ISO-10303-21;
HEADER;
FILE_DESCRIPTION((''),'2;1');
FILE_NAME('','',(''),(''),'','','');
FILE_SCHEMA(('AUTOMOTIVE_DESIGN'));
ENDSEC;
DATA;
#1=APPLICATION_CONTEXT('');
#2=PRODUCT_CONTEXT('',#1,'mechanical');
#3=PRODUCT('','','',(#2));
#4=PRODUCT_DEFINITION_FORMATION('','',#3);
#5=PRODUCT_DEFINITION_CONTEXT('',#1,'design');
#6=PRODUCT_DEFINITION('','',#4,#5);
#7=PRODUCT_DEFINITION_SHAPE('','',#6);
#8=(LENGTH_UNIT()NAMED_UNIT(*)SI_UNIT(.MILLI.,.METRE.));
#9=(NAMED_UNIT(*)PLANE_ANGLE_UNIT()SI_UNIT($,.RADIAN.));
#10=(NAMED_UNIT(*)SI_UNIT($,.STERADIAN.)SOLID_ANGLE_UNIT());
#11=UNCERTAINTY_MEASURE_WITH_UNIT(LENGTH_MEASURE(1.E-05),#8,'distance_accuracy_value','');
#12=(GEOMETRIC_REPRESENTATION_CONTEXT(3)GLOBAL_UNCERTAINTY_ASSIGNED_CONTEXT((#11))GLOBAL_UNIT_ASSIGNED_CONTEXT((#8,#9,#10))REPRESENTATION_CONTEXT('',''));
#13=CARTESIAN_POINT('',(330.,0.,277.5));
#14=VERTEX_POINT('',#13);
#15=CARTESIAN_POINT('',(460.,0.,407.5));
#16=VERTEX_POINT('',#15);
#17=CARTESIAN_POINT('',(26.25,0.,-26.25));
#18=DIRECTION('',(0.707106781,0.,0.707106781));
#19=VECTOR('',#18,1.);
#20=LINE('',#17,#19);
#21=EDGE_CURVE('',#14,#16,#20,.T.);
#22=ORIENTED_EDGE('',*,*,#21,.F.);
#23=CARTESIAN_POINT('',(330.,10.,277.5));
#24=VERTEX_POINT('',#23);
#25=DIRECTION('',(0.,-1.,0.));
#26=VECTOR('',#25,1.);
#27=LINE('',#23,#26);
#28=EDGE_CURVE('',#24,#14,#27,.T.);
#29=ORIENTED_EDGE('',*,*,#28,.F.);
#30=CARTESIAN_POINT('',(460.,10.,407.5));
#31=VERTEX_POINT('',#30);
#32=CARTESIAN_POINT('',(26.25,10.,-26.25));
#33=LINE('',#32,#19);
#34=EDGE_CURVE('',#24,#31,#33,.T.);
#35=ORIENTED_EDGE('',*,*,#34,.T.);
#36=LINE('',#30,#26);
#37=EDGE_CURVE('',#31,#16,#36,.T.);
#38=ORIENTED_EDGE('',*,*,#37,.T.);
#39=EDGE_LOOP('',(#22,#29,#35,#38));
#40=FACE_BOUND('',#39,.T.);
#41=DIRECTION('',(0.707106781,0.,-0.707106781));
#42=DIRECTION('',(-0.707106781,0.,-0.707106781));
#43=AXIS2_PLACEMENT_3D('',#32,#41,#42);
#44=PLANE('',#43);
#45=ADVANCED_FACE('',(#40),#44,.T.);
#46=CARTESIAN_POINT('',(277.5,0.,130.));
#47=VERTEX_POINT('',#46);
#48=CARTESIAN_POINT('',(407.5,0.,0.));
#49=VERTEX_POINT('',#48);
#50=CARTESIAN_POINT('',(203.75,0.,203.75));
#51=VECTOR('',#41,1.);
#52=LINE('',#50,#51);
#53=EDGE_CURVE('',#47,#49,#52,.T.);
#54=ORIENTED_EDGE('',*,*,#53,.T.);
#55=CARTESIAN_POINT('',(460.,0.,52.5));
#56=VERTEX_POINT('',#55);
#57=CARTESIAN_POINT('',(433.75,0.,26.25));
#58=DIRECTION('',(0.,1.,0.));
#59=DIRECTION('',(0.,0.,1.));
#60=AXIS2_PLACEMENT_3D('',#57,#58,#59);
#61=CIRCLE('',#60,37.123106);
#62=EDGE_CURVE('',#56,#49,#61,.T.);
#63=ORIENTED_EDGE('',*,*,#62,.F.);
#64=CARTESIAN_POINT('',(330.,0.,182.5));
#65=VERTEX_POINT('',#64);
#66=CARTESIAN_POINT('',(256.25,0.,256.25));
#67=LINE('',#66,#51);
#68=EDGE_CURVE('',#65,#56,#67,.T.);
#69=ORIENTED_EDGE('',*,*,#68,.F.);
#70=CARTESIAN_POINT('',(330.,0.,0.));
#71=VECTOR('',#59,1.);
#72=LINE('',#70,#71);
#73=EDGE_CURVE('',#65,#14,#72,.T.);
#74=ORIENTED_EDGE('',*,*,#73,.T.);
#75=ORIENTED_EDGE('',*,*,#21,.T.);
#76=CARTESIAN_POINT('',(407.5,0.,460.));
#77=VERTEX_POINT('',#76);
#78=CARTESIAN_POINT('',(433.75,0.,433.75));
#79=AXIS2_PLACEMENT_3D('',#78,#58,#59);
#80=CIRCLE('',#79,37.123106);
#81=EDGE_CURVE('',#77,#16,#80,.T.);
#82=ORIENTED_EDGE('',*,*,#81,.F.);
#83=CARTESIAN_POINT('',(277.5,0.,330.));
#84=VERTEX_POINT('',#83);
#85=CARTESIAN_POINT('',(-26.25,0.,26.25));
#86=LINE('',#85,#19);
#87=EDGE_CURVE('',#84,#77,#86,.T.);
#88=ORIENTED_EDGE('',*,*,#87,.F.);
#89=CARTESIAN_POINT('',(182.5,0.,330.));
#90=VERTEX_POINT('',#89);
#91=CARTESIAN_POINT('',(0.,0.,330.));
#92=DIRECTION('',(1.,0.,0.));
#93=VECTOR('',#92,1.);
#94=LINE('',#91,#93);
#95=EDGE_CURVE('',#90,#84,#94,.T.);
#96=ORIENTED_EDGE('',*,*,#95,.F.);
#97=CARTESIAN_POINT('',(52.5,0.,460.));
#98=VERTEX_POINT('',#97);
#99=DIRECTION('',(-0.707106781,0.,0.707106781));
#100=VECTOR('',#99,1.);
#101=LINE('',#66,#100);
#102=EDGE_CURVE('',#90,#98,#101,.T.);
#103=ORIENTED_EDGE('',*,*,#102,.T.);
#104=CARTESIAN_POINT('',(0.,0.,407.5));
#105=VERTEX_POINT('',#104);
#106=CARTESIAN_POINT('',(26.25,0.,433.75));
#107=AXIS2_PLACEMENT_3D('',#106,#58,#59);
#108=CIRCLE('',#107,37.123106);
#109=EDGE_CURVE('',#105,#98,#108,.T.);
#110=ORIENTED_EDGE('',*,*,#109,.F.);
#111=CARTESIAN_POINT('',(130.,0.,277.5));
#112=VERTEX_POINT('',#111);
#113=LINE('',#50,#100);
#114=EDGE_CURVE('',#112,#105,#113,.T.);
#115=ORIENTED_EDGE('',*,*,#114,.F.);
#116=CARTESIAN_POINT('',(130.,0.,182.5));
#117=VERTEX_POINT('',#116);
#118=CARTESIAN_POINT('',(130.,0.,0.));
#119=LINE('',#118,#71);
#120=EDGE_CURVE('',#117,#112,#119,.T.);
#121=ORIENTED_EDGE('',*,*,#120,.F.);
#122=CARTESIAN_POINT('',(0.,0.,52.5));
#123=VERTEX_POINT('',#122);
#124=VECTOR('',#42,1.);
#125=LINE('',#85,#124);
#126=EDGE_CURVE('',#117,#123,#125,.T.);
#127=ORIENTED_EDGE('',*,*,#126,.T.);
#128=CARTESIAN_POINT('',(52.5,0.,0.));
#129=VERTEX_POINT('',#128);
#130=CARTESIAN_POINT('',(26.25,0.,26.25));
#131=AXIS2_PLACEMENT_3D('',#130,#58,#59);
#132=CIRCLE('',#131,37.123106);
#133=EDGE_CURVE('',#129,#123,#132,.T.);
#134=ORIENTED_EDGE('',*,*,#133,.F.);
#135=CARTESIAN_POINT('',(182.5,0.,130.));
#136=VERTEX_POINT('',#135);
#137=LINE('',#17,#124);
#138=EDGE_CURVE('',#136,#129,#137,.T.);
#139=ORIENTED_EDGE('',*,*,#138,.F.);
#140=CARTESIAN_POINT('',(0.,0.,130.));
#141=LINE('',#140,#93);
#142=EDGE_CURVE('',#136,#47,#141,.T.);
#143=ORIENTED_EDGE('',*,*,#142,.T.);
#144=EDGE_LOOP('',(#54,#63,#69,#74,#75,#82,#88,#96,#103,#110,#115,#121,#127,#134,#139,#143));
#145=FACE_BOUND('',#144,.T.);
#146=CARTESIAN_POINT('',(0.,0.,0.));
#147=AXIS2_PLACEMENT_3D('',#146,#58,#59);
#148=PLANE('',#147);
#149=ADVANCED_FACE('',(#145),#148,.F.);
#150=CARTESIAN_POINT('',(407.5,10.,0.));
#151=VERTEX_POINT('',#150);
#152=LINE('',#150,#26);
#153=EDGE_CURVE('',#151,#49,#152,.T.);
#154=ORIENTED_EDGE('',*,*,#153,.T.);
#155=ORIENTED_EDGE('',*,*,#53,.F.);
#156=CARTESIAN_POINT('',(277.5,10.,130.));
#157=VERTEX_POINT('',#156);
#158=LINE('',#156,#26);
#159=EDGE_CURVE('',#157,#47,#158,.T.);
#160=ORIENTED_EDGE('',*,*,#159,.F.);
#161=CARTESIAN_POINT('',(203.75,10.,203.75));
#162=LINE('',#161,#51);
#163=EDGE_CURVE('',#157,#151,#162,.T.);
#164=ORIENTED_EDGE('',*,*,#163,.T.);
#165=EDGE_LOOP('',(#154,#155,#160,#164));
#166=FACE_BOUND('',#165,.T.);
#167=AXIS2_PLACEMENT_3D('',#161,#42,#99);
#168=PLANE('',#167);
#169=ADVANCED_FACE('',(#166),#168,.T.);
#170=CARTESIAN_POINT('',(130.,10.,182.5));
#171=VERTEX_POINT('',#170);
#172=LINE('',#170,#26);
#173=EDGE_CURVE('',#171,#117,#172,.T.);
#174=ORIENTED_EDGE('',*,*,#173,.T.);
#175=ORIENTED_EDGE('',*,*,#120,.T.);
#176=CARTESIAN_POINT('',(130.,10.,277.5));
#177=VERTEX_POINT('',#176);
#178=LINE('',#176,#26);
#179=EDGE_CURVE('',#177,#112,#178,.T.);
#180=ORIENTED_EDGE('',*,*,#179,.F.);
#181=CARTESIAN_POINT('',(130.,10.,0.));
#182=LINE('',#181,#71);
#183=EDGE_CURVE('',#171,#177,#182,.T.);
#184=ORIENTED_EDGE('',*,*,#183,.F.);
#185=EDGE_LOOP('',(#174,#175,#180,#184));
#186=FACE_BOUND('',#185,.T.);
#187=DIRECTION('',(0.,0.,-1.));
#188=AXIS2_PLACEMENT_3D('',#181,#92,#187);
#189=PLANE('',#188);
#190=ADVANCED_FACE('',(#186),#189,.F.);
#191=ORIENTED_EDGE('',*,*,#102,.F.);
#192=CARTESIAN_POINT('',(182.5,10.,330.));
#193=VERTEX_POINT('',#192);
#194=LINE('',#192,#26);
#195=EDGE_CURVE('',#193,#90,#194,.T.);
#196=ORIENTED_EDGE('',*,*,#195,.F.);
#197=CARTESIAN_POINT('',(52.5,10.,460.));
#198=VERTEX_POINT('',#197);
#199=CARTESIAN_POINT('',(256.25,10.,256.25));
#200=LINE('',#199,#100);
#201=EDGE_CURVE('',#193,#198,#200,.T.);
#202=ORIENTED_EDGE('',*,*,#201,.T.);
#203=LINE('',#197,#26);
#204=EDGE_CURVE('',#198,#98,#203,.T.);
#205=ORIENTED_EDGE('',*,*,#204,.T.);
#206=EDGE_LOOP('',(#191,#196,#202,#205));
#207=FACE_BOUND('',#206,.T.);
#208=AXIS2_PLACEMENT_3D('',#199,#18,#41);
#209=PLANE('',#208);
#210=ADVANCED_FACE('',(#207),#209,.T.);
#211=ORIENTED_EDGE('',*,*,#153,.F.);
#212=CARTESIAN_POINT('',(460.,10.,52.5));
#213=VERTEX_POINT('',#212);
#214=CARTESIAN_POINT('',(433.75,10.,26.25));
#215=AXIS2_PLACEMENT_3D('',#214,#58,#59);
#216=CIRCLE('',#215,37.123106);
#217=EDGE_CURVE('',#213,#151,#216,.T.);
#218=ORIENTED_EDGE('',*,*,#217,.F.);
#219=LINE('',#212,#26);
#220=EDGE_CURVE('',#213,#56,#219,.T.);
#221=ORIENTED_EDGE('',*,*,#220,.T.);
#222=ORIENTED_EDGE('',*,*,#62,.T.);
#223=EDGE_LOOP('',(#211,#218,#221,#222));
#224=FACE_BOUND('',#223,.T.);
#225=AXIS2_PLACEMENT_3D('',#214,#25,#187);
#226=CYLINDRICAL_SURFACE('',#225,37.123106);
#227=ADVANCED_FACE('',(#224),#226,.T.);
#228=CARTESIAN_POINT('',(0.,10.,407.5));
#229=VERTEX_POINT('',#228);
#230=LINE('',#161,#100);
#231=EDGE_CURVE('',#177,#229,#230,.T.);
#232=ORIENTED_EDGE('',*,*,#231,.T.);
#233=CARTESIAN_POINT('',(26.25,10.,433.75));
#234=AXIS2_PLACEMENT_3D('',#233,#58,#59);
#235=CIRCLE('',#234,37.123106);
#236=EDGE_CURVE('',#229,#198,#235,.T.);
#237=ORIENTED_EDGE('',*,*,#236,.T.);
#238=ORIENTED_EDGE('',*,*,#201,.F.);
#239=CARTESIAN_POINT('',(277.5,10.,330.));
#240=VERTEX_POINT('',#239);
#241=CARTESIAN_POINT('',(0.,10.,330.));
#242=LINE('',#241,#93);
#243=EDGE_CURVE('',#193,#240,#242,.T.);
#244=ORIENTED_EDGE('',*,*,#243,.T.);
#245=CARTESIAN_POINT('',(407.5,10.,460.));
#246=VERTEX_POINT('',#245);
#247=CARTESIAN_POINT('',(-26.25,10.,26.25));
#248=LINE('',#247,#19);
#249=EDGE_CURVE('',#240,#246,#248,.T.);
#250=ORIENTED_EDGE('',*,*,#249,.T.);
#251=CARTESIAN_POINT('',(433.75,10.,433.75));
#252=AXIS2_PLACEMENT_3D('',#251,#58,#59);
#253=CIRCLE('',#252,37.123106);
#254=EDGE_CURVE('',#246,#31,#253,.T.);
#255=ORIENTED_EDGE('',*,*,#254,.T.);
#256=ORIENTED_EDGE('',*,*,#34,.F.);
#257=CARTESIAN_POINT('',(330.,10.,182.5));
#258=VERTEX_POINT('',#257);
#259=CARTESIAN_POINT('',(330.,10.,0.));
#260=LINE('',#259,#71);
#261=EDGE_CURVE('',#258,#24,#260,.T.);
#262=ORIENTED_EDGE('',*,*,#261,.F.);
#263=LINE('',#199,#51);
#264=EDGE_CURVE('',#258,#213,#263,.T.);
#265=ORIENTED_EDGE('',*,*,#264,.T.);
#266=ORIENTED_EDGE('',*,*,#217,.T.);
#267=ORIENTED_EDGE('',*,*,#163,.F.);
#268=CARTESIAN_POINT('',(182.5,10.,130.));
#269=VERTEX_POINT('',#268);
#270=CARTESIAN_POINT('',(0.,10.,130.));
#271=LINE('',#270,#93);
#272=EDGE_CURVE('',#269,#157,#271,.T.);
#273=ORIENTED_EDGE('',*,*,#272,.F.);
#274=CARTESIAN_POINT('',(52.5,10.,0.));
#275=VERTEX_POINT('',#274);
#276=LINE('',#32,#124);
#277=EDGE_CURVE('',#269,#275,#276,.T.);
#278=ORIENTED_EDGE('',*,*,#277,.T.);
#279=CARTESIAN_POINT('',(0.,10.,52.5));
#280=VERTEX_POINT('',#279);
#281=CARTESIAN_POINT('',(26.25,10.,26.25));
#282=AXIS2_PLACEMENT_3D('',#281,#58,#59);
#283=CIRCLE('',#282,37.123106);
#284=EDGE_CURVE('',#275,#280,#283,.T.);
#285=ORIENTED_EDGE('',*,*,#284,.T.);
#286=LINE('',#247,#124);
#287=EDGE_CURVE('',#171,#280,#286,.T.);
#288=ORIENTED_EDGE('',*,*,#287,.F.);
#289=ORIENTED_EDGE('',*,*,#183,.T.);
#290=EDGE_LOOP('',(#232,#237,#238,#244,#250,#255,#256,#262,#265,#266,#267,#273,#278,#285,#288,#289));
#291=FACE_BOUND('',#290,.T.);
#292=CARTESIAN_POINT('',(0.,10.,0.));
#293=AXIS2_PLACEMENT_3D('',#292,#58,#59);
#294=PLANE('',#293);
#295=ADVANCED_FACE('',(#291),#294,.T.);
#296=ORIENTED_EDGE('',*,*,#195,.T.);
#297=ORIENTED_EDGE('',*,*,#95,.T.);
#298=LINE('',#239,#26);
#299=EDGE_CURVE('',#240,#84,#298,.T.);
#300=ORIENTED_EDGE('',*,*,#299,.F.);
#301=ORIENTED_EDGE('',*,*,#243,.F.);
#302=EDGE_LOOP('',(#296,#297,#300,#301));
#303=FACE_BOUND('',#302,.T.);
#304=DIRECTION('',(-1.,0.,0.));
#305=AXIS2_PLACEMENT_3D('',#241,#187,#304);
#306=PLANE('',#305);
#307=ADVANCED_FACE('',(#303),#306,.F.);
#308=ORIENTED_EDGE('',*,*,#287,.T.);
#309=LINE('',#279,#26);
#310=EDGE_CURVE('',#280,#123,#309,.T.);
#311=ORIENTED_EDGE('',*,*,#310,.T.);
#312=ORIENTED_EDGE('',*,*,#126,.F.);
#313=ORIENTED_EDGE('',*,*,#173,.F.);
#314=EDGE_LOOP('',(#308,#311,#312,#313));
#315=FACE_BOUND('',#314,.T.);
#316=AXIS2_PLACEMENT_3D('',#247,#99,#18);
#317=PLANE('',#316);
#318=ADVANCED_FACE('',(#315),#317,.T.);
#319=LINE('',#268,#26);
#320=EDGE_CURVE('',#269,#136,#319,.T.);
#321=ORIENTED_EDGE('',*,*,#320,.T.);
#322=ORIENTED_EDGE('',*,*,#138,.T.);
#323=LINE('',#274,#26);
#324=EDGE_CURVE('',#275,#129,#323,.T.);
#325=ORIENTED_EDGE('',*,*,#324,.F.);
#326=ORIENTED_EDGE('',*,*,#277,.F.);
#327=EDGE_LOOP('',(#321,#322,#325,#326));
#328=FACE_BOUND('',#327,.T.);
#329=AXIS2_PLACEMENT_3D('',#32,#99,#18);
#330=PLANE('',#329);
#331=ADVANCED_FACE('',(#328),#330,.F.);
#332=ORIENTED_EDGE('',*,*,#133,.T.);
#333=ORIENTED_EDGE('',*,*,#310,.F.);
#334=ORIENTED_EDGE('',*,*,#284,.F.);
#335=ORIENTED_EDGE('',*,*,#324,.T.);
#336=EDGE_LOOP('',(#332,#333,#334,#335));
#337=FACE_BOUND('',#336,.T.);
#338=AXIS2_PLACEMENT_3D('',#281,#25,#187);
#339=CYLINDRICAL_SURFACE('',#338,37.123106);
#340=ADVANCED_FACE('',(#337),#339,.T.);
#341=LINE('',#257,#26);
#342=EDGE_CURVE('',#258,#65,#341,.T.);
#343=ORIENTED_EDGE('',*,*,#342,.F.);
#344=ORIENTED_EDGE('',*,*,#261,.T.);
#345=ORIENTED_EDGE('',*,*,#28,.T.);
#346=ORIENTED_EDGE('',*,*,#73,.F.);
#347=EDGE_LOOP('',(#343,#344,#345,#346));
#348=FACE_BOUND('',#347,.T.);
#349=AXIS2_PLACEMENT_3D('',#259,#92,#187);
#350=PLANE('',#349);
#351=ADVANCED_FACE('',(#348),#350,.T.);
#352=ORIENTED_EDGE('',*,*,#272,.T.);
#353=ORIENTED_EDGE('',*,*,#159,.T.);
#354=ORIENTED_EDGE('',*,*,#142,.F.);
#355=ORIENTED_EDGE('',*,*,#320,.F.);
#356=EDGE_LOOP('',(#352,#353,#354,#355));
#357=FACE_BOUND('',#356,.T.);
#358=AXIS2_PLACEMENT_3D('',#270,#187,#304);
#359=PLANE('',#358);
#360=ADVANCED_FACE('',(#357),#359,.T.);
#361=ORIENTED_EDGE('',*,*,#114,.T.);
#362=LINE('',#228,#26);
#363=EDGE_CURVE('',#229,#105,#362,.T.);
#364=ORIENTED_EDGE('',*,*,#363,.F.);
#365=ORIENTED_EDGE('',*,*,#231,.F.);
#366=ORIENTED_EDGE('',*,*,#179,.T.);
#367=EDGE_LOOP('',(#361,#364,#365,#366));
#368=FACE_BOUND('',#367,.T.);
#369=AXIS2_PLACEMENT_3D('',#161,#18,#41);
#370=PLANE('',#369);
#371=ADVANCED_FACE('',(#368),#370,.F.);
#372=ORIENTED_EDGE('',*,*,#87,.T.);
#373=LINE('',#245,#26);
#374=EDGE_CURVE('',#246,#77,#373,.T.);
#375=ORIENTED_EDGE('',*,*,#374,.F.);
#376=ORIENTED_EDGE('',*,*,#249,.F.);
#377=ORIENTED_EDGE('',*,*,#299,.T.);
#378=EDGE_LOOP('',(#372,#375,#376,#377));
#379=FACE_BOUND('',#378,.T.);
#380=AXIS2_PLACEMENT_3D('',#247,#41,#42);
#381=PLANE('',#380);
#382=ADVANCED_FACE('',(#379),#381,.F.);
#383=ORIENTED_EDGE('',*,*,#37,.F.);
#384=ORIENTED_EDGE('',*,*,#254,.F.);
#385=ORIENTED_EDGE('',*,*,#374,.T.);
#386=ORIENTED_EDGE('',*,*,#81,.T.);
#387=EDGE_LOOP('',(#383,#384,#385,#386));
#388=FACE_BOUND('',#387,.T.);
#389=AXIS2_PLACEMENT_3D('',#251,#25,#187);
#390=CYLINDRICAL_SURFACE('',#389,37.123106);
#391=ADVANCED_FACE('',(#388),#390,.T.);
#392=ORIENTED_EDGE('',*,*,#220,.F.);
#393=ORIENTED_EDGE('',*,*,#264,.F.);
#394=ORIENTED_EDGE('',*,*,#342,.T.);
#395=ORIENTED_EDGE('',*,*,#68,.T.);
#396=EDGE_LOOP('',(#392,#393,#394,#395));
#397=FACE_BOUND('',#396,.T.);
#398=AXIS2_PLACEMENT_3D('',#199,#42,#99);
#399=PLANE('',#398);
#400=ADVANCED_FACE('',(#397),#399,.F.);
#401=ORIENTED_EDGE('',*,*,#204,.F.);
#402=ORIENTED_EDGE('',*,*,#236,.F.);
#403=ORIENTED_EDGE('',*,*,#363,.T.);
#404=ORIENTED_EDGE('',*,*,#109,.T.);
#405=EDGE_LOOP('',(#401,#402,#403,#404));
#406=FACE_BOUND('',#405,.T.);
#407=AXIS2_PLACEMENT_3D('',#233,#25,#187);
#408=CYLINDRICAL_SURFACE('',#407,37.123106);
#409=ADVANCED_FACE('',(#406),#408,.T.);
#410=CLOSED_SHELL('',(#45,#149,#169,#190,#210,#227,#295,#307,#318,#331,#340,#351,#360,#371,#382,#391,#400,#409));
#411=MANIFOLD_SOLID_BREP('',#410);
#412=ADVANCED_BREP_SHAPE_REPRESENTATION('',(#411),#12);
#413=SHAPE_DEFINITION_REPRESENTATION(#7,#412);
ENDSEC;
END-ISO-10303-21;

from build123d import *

# Parameters (mm, degrees)
SKETCH1_W           = 200
SKETCH1_H           = 200
BOSS_EXTRUDE1_DEPTH = 10


with BuildPart() as part:
    # Sketch1 → Boss-Extrude1 (new body)
    with BuildSketch(Plane(origin=(0, 0, 0), x_dir=(1, 0, 0), z_dir=(0, 1, 0))):
        with Locations((230, -230)):
            Rectangle(SKETCH1_W, SKETCH1_H)
        with BuildLine():
            Line((130, -330), (130, -277.5))
            Line((130, -277.5), (0, -407.5))
            ThreePointArc((0, -407.5), (0, -460), (52.5, -460))
            Line((52.5, -460), (182.5, -330))
            Line((182.5, -330), (130, -330))
        make_face()
        with BuildLine():
            Line((130, -130), (182.5, -130))
            Line((182.5, -130), (52.5, 0))
            ThreePointArc((52.5, 0), (0, 0), (0, -52.5))
            Line((0, -52.5), (130, -182.5))
            Line((130, -182.5), (130, -130))
        make_face()
        with BuildLine():
            Line((407.5, 0), (277.5, -130))
            Line((277.5, -130), (330, -130))
            Line((330, -130), (330, -182.5))
            Line((330, -182.5), (460, -52.5))
            ThreePointArc((460, -52.5), (460, 0), (407.5, 0))
        make_face()
        with BuildLine():
            Line((460, -407.5), (330, -277.5))
            Line((330, -277.5), (330, -330))
            Line((330, -330), (277.5, -330))
            Line((277.5, -330), (407.5, -460))
            ThreePointArc((407.5, -460), (460, -460), (460, -407.5))
        make_face()
    extrude(amount=BOSS_EXTRUDE1_DEPTH)


solid = part.part
